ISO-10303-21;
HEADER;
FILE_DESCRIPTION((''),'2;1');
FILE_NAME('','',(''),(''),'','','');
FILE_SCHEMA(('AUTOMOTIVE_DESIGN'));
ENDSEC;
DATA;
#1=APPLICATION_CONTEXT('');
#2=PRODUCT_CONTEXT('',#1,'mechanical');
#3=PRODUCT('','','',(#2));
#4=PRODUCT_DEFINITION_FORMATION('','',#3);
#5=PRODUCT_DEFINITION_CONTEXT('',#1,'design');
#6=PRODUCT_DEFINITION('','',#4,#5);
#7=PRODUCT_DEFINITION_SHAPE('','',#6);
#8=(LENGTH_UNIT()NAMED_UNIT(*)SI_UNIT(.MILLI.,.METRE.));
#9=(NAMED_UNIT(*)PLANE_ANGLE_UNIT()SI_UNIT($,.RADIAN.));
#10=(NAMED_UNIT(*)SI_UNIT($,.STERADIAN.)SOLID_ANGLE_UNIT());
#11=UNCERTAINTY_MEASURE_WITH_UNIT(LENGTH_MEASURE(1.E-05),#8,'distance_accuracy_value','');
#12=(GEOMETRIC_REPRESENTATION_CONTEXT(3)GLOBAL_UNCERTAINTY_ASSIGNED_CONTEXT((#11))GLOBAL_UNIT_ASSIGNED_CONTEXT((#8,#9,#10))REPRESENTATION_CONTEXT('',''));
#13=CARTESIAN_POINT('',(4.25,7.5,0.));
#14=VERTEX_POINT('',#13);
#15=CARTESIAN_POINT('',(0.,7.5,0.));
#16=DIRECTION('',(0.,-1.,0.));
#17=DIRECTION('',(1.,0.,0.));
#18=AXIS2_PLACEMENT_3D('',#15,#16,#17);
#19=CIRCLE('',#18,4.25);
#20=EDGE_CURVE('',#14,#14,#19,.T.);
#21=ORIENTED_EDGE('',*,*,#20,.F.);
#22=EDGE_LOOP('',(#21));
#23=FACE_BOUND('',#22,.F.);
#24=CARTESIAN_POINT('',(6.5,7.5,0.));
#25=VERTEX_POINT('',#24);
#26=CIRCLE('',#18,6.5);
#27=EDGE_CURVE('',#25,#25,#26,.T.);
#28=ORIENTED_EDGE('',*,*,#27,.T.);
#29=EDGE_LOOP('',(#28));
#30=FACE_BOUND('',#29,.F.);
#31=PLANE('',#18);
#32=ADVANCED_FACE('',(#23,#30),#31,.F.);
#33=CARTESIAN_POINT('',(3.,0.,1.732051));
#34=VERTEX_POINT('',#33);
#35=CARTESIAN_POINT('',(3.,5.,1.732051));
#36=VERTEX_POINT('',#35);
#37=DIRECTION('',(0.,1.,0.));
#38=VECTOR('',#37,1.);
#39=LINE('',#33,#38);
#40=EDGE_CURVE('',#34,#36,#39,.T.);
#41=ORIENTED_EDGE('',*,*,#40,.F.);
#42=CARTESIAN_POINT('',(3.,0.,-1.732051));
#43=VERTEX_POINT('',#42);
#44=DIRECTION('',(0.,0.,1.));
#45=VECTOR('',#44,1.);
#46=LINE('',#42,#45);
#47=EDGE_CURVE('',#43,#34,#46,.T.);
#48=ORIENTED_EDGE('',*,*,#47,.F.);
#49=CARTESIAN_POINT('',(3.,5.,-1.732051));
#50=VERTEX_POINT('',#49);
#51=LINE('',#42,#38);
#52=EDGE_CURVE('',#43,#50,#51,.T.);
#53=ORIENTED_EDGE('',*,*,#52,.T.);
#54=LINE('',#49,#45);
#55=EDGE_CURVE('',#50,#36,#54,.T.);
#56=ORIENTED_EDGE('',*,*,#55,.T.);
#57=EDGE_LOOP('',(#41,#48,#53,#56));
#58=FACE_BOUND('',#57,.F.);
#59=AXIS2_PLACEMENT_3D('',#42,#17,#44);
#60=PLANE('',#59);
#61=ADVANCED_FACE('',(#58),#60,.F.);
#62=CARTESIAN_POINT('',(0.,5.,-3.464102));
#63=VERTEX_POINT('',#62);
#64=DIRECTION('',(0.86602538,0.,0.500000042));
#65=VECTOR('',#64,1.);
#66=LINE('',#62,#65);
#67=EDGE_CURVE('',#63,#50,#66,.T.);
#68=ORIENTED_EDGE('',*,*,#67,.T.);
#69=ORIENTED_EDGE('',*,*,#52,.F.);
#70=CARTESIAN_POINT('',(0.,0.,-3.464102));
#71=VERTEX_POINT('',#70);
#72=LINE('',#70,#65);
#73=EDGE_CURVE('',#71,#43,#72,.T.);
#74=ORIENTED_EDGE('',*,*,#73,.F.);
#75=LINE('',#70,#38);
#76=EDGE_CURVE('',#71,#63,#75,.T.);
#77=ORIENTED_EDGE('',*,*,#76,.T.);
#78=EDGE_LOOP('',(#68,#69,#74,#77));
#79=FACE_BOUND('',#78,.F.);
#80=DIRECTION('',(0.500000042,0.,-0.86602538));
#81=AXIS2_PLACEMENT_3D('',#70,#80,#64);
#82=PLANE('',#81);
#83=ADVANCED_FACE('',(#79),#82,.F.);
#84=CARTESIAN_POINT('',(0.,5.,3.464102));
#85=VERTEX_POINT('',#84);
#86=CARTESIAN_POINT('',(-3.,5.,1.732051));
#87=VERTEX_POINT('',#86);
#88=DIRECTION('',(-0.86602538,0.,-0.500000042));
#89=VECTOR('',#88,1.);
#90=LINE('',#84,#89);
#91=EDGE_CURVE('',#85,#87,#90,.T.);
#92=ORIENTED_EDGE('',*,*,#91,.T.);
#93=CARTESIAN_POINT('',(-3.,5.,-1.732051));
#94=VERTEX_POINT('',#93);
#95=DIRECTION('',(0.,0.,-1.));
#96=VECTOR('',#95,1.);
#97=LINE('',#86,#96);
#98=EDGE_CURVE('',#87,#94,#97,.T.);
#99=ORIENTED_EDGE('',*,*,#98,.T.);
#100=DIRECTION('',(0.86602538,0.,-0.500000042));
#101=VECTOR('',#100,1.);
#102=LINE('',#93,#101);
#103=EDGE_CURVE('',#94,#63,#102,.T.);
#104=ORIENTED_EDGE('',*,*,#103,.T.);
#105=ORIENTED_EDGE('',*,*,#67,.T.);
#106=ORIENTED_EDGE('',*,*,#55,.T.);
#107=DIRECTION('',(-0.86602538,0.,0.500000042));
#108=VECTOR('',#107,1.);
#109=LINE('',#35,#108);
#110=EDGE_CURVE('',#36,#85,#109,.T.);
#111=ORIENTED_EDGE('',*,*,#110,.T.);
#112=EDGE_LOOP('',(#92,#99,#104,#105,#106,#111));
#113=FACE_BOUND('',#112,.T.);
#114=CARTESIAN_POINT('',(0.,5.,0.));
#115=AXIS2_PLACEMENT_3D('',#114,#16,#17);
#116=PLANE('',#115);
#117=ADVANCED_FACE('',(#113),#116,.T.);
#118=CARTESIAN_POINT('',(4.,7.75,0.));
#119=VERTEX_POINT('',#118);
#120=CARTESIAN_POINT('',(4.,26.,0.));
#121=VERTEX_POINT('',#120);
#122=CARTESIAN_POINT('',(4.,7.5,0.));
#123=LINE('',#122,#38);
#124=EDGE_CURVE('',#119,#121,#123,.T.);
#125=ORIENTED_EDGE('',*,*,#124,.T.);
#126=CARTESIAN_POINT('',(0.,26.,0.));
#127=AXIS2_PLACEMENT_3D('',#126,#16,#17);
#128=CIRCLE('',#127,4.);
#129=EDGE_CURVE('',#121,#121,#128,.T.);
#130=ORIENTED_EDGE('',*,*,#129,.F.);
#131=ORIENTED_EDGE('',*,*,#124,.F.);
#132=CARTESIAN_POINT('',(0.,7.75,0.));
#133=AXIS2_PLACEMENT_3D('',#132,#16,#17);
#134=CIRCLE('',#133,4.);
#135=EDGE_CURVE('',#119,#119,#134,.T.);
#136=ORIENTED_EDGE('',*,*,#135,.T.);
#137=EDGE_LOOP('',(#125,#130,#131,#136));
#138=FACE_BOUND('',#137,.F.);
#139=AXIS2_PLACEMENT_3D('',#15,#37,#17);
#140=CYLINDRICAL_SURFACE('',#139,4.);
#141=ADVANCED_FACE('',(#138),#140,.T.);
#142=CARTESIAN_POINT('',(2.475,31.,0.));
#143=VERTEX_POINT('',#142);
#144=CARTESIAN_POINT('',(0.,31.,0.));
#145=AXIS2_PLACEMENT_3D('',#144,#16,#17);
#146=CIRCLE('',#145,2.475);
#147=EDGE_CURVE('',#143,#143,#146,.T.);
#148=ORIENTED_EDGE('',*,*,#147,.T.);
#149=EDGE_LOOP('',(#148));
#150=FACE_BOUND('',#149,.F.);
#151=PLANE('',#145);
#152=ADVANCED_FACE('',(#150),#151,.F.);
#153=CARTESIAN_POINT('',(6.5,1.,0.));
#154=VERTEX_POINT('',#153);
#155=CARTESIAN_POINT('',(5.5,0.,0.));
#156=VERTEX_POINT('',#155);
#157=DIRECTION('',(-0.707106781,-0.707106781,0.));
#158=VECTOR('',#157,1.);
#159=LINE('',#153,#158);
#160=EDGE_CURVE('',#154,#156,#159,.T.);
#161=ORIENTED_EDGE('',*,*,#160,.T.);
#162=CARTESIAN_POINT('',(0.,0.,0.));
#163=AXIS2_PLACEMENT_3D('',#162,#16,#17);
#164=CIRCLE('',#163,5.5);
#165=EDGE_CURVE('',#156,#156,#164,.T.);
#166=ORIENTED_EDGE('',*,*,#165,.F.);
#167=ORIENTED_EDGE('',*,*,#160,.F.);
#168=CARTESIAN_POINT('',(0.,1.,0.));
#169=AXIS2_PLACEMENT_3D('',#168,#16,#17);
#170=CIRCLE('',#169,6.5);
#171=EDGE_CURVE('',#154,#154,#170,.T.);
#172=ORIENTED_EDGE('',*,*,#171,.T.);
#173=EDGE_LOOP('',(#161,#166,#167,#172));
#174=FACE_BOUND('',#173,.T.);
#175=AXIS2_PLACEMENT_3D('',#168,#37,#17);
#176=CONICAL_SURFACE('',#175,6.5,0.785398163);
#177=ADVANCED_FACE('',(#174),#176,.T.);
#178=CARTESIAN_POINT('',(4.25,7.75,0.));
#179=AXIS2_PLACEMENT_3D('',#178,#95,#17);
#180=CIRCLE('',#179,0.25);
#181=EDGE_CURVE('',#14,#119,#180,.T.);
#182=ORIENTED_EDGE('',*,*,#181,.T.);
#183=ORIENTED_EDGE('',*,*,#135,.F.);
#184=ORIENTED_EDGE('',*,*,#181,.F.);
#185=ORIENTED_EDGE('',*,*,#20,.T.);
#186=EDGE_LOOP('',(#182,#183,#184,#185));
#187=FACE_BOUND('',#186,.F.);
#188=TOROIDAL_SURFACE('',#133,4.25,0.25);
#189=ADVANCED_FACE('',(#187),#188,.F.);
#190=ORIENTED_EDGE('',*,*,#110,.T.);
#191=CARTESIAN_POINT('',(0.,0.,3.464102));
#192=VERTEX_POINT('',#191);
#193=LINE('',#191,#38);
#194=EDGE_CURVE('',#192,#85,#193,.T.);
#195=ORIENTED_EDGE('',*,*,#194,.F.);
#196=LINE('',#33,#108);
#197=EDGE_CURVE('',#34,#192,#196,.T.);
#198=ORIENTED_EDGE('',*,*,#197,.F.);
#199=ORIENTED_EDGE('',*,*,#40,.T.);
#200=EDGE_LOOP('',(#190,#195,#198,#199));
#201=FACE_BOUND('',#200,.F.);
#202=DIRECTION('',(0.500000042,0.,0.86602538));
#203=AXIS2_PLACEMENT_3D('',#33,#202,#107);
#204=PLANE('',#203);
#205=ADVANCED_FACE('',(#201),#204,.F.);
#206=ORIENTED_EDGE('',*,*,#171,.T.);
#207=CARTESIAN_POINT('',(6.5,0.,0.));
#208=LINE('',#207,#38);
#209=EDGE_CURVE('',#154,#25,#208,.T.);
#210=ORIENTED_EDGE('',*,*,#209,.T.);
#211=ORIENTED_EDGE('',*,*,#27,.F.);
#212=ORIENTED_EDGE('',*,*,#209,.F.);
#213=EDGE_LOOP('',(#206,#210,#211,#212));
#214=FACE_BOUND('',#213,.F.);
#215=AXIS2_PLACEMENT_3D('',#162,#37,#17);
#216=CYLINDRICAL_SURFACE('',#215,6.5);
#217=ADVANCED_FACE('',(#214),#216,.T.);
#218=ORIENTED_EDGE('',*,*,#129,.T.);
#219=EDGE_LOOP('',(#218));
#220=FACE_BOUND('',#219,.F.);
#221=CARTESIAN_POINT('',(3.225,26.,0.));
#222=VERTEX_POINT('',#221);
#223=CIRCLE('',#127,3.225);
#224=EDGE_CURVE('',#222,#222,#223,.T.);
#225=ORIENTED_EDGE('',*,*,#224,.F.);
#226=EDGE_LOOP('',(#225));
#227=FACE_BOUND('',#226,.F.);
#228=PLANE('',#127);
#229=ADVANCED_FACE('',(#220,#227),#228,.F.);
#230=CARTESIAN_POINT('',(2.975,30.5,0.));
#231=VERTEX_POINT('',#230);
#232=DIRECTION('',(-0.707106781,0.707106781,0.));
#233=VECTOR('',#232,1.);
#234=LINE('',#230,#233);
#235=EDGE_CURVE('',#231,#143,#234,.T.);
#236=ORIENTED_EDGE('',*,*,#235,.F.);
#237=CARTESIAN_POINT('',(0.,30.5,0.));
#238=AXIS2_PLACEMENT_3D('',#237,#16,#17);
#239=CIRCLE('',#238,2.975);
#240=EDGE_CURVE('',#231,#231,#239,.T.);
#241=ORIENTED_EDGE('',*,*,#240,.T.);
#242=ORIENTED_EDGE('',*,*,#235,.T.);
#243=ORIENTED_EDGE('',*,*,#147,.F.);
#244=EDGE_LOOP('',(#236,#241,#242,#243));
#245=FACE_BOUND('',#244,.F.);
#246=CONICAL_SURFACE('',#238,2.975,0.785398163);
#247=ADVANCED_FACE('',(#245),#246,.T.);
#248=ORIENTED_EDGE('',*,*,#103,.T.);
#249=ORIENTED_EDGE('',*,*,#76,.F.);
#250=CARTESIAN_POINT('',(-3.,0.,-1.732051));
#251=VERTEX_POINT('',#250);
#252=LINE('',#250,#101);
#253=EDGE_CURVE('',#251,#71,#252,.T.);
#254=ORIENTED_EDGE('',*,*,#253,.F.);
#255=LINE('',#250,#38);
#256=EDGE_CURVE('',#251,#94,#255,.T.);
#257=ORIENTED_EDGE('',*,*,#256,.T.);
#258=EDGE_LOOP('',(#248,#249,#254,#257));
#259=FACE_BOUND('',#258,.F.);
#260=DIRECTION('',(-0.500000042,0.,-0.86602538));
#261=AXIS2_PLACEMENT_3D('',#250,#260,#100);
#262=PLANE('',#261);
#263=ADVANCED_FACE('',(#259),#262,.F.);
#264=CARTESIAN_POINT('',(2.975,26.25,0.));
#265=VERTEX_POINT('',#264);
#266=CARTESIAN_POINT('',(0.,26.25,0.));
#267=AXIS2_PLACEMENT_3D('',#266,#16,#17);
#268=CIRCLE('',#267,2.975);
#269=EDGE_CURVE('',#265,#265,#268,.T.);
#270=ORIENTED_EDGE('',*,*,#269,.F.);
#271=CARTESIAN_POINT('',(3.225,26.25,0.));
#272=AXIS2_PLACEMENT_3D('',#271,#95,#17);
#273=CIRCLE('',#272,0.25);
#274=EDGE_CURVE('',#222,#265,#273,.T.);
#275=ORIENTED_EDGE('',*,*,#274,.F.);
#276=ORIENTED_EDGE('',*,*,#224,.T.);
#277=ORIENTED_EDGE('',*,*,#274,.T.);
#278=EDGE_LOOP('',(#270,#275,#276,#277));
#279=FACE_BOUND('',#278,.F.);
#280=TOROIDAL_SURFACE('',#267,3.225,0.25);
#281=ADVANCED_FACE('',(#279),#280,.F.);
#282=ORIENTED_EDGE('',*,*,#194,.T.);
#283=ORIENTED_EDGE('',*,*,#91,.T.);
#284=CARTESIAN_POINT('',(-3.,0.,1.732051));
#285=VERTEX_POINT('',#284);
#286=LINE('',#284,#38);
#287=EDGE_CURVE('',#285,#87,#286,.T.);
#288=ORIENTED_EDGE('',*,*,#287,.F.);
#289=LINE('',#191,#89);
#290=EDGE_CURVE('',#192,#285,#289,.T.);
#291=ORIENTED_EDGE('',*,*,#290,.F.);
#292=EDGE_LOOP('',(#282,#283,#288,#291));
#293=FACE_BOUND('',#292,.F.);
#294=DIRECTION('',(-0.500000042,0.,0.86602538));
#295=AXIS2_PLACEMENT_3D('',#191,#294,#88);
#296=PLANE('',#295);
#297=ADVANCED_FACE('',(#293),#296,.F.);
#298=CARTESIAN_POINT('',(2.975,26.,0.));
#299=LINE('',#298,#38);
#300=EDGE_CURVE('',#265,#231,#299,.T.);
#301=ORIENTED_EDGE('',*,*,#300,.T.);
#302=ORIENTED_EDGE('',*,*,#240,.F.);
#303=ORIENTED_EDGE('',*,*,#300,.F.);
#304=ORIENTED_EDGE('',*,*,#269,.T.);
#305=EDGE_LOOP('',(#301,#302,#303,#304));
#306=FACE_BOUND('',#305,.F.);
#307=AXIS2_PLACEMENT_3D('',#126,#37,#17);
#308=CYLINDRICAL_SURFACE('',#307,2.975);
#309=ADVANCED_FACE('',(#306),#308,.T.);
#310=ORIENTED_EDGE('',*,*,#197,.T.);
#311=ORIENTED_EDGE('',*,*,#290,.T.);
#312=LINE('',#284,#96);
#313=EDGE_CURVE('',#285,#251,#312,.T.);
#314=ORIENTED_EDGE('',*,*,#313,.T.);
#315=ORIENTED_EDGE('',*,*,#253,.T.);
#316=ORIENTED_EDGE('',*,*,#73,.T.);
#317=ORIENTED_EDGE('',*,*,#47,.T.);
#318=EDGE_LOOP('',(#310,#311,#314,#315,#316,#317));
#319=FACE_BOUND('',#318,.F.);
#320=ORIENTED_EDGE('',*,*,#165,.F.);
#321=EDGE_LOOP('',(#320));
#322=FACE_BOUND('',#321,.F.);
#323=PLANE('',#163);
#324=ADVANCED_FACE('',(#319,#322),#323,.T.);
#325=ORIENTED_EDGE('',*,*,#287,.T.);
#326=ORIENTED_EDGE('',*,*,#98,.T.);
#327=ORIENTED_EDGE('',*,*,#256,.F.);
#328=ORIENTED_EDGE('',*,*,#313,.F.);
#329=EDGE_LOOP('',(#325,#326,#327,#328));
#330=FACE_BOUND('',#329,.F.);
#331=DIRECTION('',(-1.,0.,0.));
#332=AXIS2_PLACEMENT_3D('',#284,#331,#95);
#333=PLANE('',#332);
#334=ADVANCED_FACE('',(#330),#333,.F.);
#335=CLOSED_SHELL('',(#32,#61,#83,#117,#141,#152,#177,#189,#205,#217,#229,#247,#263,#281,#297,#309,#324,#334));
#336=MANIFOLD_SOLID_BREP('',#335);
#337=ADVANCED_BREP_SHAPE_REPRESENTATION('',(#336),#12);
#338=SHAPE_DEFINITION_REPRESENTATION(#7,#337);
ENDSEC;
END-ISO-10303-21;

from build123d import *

# Parameters (mm, degrees)
F2_R     = 0.25
F3_SIZE  = 0.5
F4_SIZE  = 1
F6_DEPTH = 5


with BuildPart() as f1:
    # F0 (on Top) → F1 (revolve)
    with BuildSketch(Plane.XY):
        Polygon((0, 31), (0, 0), (6.5, 0), (6.5, 7.5), (4, 7.5), (4, 26), (2.975, 26), (2.975, 31), align=None)
    revolve(axis=Axis((0, 15.5, 0), (0, -1, 0)))

    # F2
    f2_edges = [f1.edges().sort_by_distance(p)[0] for p in [
        (-4, 7.5, 0),
        (-2.975, 26, 0),
    ]]
    fillet(f2_edges, radius=F2_R)

    # F3
    f3_edges = [f1.edges().sort_by_distance(p)[0] for p in [
        (-2.975, 31, 0),
    ]]
    chamfer(f3_edges, length=F3_SIZE)

    # F4
    f4_edges = [f1.edges().sort_by_distance(p)[0] for p in [
        (-6.5, 0, 0),
    ]]
    chamfer(f4_edges, length=F4_SIZE)

    # F5 (on face) → F6 (cut)
    with BuildSketch(Plane.XZ):
        Polygon((-3, 1.732051), (-3, -1.732051), (0, -3.464102), (3, -1.732051), (3, 1.732051), (0, 3.464102), align=None)
    extrude(amount=-F6_DEPTH, mode=Mode.SUBTRACT)


solid = f1.part
